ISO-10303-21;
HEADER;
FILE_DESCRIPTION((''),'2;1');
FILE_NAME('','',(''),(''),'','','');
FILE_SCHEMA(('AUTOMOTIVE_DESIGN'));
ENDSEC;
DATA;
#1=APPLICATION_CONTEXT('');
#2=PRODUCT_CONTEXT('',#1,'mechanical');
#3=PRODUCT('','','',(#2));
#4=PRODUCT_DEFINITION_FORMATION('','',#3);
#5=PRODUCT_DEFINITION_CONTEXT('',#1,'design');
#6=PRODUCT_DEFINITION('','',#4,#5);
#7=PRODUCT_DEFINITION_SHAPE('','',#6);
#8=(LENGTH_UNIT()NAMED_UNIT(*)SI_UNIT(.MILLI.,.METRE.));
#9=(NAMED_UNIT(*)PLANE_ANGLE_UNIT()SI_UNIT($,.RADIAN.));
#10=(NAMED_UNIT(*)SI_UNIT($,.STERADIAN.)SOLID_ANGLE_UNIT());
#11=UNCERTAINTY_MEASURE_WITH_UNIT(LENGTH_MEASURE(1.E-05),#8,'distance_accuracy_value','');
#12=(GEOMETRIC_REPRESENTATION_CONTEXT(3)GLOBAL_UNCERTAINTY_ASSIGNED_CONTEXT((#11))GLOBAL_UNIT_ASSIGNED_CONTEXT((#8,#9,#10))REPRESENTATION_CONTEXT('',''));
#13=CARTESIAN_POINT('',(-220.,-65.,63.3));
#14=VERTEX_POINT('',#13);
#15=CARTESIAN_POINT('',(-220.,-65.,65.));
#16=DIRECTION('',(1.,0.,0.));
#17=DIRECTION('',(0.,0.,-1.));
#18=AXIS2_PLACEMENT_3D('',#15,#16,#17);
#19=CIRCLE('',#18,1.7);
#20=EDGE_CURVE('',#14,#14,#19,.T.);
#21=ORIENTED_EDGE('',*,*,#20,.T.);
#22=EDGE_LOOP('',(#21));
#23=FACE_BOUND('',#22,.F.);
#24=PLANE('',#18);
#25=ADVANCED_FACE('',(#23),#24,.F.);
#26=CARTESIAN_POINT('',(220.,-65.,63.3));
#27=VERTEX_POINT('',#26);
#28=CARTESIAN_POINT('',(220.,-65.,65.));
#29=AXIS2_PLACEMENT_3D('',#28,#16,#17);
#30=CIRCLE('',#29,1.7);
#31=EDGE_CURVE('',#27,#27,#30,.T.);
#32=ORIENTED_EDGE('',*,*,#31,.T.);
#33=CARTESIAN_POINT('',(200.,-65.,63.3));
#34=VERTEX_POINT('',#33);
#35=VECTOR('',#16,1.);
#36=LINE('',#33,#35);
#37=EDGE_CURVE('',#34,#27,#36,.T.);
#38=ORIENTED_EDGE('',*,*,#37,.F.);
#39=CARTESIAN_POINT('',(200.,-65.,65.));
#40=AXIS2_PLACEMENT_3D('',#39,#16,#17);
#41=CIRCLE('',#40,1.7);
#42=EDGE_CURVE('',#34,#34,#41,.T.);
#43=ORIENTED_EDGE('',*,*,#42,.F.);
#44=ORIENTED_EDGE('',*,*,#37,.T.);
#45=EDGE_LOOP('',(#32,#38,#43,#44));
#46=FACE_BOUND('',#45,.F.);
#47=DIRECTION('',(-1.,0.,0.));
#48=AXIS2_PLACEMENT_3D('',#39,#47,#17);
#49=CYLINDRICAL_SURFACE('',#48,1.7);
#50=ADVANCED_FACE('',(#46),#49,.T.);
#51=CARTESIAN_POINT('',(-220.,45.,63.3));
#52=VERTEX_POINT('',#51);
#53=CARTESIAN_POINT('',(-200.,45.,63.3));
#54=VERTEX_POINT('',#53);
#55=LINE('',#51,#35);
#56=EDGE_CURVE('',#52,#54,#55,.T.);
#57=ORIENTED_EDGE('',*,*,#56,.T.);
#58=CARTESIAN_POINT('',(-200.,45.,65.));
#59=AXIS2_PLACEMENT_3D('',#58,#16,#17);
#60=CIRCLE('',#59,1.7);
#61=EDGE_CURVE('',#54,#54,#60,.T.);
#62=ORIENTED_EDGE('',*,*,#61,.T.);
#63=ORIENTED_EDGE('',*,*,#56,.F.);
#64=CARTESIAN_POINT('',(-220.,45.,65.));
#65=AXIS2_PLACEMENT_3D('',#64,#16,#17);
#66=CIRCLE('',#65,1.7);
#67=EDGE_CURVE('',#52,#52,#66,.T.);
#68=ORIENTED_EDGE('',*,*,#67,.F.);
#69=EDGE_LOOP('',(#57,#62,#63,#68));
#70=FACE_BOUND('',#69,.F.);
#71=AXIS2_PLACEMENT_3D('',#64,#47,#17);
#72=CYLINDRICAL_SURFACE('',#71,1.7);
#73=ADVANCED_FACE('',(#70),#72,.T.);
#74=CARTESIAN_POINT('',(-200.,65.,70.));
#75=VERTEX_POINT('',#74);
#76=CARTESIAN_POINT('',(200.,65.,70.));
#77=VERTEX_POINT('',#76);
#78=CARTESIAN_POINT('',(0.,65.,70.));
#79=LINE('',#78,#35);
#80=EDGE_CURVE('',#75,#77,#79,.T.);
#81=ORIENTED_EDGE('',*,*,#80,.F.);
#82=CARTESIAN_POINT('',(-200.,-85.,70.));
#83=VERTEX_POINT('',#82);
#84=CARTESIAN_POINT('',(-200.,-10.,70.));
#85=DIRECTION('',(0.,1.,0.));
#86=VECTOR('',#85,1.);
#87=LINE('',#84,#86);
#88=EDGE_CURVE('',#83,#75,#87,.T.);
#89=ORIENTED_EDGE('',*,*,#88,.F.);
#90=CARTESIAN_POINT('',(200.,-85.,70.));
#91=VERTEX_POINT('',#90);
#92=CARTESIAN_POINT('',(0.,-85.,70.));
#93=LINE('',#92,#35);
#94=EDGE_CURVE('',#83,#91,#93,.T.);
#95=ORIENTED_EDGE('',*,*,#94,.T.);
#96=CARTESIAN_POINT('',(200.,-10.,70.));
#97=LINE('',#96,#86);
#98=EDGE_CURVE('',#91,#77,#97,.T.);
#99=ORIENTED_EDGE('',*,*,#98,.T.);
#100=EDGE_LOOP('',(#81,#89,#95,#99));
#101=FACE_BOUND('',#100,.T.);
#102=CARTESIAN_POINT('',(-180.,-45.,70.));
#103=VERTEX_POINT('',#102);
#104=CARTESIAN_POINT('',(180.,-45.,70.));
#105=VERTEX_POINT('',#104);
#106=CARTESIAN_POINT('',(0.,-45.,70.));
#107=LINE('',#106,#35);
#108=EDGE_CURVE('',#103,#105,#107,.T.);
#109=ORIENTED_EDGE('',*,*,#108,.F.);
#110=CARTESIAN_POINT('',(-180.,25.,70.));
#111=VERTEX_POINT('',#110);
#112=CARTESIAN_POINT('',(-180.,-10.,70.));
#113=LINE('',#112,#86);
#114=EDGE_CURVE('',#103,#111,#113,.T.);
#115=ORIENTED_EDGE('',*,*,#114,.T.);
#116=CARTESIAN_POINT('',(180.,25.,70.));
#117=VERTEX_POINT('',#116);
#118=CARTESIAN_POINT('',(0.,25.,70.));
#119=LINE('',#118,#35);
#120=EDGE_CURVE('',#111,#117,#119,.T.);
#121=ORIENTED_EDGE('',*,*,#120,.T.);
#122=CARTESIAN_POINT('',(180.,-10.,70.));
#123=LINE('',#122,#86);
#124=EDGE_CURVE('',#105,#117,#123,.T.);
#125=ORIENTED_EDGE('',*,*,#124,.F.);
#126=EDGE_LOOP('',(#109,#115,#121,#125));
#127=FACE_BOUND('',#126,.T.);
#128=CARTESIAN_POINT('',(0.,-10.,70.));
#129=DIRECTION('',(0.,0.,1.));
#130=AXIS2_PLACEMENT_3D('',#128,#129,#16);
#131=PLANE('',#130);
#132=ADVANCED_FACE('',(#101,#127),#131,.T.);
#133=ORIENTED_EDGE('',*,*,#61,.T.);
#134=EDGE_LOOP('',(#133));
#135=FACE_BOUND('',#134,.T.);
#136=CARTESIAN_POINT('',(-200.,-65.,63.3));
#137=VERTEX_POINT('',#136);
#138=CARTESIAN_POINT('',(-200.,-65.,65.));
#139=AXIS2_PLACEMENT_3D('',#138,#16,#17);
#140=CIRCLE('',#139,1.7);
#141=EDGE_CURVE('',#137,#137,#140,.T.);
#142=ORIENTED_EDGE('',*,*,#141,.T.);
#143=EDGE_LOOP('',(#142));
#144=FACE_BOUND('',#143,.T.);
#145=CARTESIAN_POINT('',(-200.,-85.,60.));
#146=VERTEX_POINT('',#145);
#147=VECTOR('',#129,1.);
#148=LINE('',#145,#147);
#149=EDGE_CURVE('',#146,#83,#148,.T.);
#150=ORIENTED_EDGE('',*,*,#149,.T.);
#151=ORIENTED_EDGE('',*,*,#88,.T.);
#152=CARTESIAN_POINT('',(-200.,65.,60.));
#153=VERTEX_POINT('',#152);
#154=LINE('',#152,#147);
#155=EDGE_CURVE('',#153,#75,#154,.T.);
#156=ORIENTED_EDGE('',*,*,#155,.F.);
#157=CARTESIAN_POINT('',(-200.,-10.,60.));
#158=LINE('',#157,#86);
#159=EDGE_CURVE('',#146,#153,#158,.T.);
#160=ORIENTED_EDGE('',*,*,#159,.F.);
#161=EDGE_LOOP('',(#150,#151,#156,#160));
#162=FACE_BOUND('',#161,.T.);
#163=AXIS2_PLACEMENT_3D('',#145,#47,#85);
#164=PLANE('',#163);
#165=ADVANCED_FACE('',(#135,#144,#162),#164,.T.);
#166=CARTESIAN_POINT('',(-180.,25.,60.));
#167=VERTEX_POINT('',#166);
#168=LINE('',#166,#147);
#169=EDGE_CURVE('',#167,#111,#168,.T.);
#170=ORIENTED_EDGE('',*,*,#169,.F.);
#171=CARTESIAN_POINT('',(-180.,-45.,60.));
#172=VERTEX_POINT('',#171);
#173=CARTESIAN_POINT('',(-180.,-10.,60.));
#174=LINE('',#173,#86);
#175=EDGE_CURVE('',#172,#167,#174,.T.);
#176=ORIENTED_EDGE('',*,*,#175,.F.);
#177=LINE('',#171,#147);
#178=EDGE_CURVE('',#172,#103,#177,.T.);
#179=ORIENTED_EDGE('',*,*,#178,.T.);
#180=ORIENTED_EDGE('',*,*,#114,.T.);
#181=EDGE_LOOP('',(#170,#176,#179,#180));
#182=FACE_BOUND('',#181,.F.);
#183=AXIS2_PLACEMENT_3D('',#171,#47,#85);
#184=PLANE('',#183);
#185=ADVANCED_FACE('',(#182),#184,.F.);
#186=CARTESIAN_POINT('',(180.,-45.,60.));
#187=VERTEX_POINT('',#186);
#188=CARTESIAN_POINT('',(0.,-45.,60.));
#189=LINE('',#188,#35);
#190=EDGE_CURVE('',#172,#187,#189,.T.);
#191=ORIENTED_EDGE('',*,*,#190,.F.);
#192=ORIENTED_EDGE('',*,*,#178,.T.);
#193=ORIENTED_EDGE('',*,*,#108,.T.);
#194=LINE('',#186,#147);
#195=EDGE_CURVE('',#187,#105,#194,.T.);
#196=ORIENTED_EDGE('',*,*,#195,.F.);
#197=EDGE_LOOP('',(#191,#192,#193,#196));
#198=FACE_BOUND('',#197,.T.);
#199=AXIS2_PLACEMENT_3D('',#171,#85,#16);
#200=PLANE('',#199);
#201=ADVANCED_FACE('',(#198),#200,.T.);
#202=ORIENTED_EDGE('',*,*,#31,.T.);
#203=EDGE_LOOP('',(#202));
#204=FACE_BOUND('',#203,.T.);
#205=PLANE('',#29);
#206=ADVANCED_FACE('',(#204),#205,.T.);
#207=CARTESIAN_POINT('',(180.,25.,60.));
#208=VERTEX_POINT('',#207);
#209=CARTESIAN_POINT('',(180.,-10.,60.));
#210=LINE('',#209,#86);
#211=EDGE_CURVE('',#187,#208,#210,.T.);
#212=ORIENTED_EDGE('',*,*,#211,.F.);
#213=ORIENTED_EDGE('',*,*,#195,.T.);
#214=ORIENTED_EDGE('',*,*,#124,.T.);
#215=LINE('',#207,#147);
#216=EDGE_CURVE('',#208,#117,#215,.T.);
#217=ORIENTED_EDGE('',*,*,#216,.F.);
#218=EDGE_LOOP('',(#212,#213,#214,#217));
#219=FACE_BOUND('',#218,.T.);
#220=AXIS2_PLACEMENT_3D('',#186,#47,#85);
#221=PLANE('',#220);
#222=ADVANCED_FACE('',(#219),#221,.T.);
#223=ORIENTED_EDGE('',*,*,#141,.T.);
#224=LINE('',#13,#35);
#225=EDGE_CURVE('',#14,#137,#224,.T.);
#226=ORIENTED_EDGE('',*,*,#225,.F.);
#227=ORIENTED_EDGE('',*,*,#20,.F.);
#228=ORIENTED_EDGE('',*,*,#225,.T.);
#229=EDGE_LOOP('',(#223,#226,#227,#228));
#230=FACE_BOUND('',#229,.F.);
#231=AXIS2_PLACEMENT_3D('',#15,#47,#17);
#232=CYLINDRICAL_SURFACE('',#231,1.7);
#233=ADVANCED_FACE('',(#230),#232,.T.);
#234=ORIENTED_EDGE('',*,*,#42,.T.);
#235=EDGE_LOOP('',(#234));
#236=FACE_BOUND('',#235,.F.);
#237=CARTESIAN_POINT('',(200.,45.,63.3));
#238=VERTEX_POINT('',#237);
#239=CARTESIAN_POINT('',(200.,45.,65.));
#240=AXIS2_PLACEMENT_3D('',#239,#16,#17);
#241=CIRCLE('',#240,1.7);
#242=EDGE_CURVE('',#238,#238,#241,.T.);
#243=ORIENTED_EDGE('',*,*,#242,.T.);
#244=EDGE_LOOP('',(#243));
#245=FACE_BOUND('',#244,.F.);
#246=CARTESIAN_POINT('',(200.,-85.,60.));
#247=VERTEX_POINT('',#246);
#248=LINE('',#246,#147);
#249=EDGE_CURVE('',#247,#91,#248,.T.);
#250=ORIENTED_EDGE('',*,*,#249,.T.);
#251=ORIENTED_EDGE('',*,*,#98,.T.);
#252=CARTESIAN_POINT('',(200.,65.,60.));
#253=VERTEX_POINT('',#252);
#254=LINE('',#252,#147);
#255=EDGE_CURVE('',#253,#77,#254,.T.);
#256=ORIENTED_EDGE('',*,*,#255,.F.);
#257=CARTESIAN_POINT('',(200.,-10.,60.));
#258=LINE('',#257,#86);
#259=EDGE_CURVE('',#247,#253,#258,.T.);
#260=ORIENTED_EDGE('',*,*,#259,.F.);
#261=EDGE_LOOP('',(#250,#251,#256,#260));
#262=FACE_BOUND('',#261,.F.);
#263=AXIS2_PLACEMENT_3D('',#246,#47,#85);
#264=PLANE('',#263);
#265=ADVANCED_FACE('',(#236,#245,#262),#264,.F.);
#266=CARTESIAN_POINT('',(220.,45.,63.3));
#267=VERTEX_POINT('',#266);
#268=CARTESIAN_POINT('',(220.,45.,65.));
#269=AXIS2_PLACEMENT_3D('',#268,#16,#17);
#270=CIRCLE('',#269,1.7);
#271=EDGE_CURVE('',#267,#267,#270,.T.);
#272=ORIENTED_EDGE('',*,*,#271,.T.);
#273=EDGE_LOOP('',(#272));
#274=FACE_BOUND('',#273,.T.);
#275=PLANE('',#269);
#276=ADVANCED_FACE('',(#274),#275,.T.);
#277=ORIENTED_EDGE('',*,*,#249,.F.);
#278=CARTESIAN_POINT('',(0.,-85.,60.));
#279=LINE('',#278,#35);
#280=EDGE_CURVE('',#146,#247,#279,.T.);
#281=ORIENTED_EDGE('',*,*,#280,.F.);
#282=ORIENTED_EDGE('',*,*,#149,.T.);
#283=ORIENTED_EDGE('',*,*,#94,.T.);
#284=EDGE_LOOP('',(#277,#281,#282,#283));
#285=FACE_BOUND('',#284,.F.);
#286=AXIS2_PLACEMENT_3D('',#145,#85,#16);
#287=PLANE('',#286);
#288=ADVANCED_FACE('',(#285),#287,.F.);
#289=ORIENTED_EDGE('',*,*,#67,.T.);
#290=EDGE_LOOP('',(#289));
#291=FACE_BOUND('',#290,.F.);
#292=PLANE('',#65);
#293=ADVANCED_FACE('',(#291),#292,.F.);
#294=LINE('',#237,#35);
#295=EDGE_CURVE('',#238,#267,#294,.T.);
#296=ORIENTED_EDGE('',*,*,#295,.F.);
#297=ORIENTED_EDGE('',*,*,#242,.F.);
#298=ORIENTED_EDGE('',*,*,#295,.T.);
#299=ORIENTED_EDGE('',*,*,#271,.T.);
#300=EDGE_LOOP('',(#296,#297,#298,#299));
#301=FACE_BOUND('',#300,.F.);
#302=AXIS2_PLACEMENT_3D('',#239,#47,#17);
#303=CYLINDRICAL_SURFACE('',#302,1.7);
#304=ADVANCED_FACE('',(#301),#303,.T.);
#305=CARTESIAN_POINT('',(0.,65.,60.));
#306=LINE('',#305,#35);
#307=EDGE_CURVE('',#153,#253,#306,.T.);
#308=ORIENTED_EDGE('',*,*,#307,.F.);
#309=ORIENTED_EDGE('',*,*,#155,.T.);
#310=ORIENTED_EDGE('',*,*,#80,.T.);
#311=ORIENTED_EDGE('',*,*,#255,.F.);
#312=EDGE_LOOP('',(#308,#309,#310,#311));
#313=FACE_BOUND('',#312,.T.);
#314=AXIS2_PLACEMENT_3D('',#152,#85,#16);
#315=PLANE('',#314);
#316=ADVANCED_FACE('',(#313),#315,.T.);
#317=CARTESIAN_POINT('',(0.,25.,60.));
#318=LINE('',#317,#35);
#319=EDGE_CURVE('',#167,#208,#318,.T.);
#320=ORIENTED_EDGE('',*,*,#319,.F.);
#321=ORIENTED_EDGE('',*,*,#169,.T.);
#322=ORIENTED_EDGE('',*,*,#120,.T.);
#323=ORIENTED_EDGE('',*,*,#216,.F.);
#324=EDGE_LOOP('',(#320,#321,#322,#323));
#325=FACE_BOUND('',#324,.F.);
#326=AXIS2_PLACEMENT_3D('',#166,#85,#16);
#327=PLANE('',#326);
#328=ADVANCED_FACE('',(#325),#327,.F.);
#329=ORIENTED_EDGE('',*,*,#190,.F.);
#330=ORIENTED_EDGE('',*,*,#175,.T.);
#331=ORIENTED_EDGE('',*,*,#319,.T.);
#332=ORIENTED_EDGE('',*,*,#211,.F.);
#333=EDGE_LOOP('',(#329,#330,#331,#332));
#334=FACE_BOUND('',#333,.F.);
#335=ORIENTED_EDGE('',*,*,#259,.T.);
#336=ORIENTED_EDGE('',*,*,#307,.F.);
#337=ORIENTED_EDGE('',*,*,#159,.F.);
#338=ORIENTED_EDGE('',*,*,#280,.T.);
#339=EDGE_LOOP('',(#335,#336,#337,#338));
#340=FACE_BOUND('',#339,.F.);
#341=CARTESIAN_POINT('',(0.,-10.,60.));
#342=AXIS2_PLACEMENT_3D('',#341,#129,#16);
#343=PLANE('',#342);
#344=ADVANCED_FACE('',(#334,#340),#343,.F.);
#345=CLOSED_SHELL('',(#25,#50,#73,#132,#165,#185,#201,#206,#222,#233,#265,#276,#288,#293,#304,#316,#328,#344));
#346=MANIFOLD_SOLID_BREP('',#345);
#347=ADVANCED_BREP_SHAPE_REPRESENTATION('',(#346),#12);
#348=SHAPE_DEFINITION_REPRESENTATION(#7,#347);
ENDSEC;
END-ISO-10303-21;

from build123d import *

# Parameters (mm, degrees)
SKETCH013_W             = 400
SKETCH013_H             = 150
SKETCH013_W_2           = 360
SKETCH013_H_2           = 70
PAD013_DEPTH            = 10
CYLINDER013_R           = 1.7
CYLINDER013_DEPTH       = 20
CYLINDER013_PITCH_ANGLE = 90
CYLINDER015_R           = 1.7
CYLINDER015_DEPTH       = 20
CYLINDER015_PITCH_ANGLE = 90
CYLINDER016_R           = 1.7
CYLINDER016_DEPTH       = 20
CYLINDER016_PITCH_ANGLE = 90
CYLINDER017_R           = 1.7
CYLINDER017_DEPTH       = 20
CYLINDER017_PITCH_ANGLE = 90


with BuildPart() as pad013:
    # Sketch013 → Pad013 (new body)
    with BuildSketch(Plane(origin=(0, -10, 60), x_dir=(1, 0, 0), z_dir=(0, 0, 1))):
        Rectangle(SKETCH013_W, SKETCH013_H)
        Rectangle(SKETCH013_W_2, SKETCH013_H_2, mode=Mode.SUBTRACT)
    extrude(amount=PAD013_DEPTH)


with BuildPart() as cylinder013:
    # Cylinder013 → Cylinder013 (new body)
    with BuildSketch(Plane.XY):
        Circle(CYLINDER013_R)
    extrude(amount=CYLINDER013_DEPTH)


with BuildPart() as cylinder013_1:
    # Cylinder013 pitch: moved
    add(cylinder013.part.rotate(Axis((0, 0, 0), (0, 1, 0)), CYLINDER013_PITCH_ANGLE))


with BuildPart() as cylinder013_2:
    # Cylinder013 placement: moved
    add(cylinder013_1.part.moved(Location((200, -65, 65))))


with BuildPart() as cylinder015:
    # Cylinder015 → Cylinder015 (new body)
    with BuildSketch(Plane.XY):
        Circle(CYLINDER015_R)
    extrude(amount=CYLINDER015_DEPTH)


with BuildPart() as cylinder015_1:
    # Cylinder015 pitch: moved
    add(cylinder015.part.rotate(Axis((0, 0, 0), (0, 1, 0)), CYLINDER015_PITCH_ANGLE))


with BuildPart() as cylinder015_2:
    # Cylinder015 placement: moved
    add(cylinder015_1.part.moved(Location((-220, -65, 65))))


with BuildPart() as cylinder016:
    # Cylinder016 → Cylinder016 (new body)
    with BuildSketch(Plane.XY):
        Circle(CYLINDER016_R)
    extrude(amount=CYLINDER016_DEPTH)


with BuildPart() as cylinder016_1:
    # Cylinder016 pitch: moved
    add(cylinder016.part.rotate(Axis((0, 0, 0), (0, 1, 0)), CYLINDER016_PITCH_ANGLE))


with BuildPart() as cylinder016_2:
    # Cylinder016 placement: moved
    add(cylinder016_1.part.moved(Location((-220, 45, 65))))


with BuildPart() as fusion005:
    # Cylinder017 → Cylinder017 (new body)
    with BuildSketch(Plane.XY):
        Circle(CYLINDER017_R)
    extrude(amount=CYLINDER017_DEPTH)


with BuildPart() as fusion005_1:
    # Cylinder017 pitch: moved
    add(fusion005.part.rotate(Axis((0, 0, 0), (0, 1, 0)), CYLINDER017_PITCH_ANGLE))


with BuildPart() as fusion005_2:
    # Cylinder017 placement: moved
    add(fusion005_1.part.moved(Location((200, 45, 65))))

    # Fusion004: union Cylinder013, Cylinder015, Cylinder016
    add(cylinder013_2.part)
    add(cylinder015_2.part)
    add(cylinder016_2.part)

    # Fusion005: union Pad013
    add(pad013.part)


solid = fusion005_2.part
